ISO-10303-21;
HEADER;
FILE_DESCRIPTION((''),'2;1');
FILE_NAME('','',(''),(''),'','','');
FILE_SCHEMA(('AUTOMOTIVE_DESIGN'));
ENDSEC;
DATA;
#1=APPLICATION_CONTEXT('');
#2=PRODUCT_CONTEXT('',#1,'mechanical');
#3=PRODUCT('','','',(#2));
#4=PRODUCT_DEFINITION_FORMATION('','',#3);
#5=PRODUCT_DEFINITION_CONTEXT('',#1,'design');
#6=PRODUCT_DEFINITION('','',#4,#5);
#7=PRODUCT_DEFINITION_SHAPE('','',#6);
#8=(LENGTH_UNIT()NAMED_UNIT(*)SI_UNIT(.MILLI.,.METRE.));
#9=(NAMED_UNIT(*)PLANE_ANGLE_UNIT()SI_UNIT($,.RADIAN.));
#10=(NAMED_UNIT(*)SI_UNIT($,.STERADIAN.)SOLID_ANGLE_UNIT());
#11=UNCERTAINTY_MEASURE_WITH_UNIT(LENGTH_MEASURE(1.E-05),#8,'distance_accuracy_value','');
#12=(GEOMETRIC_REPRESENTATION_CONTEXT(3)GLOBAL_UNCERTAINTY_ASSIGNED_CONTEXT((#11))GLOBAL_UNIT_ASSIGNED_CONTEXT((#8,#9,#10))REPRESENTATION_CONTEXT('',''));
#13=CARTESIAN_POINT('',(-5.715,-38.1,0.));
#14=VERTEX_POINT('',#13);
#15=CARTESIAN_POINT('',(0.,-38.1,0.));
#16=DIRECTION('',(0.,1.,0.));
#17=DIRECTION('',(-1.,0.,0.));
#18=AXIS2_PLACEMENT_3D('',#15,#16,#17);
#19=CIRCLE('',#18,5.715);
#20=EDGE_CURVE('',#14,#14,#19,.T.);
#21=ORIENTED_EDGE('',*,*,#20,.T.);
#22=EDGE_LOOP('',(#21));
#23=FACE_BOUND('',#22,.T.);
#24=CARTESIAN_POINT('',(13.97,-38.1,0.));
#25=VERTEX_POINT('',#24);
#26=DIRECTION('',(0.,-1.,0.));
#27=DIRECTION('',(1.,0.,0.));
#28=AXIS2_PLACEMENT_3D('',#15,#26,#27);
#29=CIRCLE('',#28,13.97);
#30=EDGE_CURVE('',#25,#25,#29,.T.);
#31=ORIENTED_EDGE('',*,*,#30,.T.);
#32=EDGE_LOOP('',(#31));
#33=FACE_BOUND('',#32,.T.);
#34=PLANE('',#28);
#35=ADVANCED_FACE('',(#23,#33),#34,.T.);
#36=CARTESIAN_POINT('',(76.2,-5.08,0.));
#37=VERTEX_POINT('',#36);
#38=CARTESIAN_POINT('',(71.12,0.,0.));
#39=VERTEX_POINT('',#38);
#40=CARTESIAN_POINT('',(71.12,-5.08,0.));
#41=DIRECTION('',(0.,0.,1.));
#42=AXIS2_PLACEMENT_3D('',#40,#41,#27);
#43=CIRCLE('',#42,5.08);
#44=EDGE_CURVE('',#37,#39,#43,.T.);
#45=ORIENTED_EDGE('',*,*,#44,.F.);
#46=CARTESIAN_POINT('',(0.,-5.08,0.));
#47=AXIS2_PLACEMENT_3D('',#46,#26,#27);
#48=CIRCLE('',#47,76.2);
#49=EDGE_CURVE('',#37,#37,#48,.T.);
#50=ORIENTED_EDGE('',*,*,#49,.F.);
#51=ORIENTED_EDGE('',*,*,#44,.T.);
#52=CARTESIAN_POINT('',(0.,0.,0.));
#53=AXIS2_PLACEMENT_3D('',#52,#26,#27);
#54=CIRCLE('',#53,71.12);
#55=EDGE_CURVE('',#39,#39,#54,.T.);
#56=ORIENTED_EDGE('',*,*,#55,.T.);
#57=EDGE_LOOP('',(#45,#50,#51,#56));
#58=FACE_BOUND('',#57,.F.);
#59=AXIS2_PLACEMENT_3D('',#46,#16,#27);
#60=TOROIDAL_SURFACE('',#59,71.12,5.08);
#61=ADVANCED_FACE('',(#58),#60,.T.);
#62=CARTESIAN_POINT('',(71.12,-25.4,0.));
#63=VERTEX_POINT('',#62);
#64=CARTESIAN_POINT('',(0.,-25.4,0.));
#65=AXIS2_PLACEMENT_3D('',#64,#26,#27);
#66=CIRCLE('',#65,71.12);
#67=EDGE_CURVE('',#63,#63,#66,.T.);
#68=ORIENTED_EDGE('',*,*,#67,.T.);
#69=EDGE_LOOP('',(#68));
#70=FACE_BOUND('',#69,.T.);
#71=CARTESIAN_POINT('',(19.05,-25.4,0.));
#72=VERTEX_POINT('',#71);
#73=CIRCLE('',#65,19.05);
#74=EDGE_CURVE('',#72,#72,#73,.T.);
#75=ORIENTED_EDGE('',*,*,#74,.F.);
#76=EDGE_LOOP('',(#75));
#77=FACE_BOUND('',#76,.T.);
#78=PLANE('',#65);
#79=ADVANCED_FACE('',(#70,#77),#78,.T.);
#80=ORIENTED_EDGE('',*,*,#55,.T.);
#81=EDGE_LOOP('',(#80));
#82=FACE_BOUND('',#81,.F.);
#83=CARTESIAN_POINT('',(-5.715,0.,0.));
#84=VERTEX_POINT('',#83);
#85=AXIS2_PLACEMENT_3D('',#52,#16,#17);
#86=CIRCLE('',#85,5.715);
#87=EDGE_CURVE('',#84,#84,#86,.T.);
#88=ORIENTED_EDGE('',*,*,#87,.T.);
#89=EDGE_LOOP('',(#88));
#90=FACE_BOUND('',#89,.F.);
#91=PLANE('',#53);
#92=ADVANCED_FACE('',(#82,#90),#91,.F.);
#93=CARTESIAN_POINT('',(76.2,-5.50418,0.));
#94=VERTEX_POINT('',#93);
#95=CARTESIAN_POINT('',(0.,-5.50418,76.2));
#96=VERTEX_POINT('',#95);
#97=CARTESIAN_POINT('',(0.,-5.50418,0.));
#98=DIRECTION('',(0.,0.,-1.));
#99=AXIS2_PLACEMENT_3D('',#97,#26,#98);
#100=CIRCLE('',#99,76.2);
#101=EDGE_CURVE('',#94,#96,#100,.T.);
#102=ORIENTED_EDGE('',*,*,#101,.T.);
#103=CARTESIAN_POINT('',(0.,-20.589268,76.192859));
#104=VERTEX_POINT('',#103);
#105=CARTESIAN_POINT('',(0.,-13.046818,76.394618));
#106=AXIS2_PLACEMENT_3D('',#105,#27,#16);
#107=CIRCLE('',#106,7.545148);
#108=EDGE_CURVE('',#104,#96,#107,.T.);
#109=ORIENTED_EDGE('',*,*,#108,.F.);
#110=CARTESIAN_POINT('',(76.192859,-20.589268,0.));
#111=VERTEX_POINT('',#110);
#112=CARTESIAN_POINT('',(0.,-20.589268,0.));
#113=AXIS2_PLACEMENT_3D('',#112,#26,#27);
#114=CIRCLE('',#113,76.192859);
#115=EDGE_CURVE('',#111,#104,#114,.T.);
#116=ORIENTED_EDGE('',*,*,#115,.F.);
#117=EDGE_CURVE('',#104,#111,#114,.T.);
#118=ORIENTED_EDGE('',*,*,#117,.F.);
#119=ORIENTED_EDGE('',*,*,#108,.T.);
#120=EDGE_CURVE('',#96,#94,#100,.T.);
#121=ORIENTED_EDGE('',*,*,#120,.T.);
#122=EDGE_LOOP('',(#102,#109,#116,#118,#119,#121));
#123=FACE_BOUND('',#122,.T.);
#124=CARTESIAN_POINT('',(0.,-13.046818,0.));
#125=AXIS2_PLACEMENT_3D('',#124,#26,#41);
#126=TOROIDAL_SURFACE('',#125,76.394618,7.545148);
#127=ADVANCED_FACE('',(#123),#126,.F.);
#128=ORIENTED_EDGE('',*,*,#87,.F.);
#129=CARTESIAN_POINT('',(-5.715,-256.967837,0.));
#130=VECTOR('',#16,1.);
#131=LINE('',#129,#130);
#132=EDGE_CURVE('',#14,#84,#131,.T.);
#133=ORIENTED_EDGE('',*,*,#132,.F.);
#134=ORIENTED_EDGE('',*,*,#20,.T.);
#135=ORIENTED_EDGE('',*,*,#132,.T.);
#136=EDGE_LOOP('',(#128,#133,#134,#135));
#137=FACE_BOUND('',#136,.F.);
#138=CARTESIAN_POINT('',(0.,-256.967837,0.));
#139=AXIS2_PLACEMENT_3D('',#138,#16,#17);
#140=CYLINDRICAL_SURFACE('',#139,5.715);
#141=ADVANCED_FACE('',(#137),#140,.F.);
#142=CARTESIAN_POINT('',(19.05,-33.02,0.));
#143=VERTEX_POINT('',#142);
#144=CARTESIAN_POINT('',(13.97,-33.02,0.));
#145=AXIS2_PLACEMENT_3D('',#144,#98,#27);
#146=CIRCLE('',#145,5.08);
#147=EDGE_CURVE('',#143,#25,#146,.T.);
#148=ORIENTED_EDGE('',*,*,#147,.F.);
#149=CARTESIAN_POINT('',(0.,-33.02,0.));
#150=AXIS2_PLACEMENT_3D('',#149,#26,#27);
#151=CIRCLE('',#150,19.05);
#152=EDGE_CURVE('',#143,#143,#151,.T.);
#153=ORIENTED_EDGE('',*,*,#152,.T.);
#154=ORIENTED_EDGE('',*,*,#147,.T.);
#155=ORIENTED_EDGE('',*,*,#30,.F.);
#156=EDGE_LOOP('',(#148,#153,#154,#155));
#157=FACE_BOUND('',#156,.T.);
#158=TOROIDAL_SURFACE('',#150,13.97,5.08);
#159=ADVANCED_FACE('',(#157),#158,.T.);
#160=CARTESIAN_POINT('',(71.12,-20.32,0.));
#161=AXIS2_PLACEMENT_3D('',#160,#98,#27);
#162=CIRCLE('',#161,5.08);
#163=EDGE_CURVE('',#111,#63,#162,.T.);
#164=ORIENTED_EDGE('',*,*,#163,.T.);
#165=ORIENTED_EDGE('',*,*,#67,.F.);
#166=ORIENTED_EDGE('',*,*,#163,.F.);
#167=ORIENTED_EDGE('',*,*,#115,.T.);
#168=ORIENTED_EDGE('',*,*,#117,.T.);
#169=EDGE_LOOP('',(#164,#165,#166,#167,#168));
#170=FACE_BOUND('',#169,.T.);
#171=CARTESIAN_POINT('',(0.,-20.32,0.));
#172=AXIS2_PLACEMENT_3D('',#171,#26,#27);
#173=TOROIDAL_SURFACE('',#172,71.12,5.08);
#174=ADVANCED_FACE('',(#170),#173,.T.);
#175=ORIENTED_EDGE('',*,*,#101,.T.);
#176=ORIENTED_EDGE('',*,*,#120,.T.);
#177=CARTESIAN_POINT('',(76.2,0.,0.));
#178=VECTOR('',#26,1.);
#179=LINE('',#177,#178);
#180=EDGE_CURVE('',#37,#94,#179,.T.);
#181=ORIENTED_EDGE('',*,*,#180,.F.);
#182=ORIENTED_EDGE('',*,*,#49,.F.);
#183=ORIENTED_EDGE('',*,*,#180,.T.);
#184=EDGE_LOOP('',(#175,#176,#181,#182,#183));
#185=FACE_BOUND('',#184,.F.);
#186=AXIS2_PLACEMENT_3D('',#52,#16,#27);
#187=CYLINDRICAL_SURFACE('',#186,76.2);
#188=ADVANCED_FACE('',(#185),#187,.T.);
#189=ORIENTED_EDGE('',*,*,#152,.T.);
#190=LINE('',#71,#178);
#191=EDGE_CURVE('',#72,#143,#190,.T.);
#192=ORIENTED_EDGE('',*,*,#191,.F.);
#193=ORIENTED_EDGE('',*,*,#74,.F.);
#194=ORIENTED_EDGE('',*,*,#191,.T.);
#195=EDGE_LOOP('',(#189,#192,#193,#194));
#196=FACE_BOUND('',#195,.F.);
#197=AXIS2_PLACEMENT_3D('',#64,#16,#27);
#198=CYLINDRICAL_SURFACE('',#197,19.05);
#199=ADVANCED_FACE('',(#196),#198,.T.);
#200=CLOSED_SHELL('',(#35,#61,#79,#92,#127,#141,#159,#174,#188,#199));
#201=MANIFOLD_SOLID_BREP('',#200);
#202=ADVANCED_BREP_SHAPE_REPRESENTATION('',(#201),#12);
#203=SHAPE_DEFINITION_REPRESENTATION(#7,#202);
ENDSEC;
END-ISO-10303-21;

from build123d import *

# Parameters (mm, degrees)
F0_R     = 76.2
F1_DEPTH = 25.4
F2_R     = 19.05
F3_DEPTH = 12.7
F5_D     = 11.43
F6_R     = 5.08
F7_R     = 7.545148


with BuildPart() as f1:
    # F0 (on Front) → F1 (new body)
    with BuildSketch(Plane.XZ):
        Circle(F0_R)
    extrude(amount=F1_DEPTH)

    # F2 (on face) → F3 (join)
    with BuildSketch(Plane.XZ.offset(25.4)):
        Circle(F2_R)
    extrude(amount=F3_DEPTH)

    # F5 (through all)
    with Locations(Plane.XZ.offset(38.1)):
        with Locations((0, 0)):
            Hole(F5_D / 2)

    # F6
    f6_edges = [f1.edges().sort_by_distance(p)[0] for p in [
        (-76.2, -25.4, 0),
        (76.2, -12.7, 0),
        (-76.2, 0, 0),
        (-19.05, -38.1, 0),
    ]]
    fillet(f6_edges, radius=F6_R)

    # F7 (on Right) → F8 (revolve, cut)
    with BuildSketch(Plane.YZ):
        with Locations((-13.046818, 76.394618)):
            Circle(F7_R)
    revolve(axis=Axis((0, 0, 0), (0, 1, 0)), mode=Mode.SUBTRACT)


solid = f1.part
